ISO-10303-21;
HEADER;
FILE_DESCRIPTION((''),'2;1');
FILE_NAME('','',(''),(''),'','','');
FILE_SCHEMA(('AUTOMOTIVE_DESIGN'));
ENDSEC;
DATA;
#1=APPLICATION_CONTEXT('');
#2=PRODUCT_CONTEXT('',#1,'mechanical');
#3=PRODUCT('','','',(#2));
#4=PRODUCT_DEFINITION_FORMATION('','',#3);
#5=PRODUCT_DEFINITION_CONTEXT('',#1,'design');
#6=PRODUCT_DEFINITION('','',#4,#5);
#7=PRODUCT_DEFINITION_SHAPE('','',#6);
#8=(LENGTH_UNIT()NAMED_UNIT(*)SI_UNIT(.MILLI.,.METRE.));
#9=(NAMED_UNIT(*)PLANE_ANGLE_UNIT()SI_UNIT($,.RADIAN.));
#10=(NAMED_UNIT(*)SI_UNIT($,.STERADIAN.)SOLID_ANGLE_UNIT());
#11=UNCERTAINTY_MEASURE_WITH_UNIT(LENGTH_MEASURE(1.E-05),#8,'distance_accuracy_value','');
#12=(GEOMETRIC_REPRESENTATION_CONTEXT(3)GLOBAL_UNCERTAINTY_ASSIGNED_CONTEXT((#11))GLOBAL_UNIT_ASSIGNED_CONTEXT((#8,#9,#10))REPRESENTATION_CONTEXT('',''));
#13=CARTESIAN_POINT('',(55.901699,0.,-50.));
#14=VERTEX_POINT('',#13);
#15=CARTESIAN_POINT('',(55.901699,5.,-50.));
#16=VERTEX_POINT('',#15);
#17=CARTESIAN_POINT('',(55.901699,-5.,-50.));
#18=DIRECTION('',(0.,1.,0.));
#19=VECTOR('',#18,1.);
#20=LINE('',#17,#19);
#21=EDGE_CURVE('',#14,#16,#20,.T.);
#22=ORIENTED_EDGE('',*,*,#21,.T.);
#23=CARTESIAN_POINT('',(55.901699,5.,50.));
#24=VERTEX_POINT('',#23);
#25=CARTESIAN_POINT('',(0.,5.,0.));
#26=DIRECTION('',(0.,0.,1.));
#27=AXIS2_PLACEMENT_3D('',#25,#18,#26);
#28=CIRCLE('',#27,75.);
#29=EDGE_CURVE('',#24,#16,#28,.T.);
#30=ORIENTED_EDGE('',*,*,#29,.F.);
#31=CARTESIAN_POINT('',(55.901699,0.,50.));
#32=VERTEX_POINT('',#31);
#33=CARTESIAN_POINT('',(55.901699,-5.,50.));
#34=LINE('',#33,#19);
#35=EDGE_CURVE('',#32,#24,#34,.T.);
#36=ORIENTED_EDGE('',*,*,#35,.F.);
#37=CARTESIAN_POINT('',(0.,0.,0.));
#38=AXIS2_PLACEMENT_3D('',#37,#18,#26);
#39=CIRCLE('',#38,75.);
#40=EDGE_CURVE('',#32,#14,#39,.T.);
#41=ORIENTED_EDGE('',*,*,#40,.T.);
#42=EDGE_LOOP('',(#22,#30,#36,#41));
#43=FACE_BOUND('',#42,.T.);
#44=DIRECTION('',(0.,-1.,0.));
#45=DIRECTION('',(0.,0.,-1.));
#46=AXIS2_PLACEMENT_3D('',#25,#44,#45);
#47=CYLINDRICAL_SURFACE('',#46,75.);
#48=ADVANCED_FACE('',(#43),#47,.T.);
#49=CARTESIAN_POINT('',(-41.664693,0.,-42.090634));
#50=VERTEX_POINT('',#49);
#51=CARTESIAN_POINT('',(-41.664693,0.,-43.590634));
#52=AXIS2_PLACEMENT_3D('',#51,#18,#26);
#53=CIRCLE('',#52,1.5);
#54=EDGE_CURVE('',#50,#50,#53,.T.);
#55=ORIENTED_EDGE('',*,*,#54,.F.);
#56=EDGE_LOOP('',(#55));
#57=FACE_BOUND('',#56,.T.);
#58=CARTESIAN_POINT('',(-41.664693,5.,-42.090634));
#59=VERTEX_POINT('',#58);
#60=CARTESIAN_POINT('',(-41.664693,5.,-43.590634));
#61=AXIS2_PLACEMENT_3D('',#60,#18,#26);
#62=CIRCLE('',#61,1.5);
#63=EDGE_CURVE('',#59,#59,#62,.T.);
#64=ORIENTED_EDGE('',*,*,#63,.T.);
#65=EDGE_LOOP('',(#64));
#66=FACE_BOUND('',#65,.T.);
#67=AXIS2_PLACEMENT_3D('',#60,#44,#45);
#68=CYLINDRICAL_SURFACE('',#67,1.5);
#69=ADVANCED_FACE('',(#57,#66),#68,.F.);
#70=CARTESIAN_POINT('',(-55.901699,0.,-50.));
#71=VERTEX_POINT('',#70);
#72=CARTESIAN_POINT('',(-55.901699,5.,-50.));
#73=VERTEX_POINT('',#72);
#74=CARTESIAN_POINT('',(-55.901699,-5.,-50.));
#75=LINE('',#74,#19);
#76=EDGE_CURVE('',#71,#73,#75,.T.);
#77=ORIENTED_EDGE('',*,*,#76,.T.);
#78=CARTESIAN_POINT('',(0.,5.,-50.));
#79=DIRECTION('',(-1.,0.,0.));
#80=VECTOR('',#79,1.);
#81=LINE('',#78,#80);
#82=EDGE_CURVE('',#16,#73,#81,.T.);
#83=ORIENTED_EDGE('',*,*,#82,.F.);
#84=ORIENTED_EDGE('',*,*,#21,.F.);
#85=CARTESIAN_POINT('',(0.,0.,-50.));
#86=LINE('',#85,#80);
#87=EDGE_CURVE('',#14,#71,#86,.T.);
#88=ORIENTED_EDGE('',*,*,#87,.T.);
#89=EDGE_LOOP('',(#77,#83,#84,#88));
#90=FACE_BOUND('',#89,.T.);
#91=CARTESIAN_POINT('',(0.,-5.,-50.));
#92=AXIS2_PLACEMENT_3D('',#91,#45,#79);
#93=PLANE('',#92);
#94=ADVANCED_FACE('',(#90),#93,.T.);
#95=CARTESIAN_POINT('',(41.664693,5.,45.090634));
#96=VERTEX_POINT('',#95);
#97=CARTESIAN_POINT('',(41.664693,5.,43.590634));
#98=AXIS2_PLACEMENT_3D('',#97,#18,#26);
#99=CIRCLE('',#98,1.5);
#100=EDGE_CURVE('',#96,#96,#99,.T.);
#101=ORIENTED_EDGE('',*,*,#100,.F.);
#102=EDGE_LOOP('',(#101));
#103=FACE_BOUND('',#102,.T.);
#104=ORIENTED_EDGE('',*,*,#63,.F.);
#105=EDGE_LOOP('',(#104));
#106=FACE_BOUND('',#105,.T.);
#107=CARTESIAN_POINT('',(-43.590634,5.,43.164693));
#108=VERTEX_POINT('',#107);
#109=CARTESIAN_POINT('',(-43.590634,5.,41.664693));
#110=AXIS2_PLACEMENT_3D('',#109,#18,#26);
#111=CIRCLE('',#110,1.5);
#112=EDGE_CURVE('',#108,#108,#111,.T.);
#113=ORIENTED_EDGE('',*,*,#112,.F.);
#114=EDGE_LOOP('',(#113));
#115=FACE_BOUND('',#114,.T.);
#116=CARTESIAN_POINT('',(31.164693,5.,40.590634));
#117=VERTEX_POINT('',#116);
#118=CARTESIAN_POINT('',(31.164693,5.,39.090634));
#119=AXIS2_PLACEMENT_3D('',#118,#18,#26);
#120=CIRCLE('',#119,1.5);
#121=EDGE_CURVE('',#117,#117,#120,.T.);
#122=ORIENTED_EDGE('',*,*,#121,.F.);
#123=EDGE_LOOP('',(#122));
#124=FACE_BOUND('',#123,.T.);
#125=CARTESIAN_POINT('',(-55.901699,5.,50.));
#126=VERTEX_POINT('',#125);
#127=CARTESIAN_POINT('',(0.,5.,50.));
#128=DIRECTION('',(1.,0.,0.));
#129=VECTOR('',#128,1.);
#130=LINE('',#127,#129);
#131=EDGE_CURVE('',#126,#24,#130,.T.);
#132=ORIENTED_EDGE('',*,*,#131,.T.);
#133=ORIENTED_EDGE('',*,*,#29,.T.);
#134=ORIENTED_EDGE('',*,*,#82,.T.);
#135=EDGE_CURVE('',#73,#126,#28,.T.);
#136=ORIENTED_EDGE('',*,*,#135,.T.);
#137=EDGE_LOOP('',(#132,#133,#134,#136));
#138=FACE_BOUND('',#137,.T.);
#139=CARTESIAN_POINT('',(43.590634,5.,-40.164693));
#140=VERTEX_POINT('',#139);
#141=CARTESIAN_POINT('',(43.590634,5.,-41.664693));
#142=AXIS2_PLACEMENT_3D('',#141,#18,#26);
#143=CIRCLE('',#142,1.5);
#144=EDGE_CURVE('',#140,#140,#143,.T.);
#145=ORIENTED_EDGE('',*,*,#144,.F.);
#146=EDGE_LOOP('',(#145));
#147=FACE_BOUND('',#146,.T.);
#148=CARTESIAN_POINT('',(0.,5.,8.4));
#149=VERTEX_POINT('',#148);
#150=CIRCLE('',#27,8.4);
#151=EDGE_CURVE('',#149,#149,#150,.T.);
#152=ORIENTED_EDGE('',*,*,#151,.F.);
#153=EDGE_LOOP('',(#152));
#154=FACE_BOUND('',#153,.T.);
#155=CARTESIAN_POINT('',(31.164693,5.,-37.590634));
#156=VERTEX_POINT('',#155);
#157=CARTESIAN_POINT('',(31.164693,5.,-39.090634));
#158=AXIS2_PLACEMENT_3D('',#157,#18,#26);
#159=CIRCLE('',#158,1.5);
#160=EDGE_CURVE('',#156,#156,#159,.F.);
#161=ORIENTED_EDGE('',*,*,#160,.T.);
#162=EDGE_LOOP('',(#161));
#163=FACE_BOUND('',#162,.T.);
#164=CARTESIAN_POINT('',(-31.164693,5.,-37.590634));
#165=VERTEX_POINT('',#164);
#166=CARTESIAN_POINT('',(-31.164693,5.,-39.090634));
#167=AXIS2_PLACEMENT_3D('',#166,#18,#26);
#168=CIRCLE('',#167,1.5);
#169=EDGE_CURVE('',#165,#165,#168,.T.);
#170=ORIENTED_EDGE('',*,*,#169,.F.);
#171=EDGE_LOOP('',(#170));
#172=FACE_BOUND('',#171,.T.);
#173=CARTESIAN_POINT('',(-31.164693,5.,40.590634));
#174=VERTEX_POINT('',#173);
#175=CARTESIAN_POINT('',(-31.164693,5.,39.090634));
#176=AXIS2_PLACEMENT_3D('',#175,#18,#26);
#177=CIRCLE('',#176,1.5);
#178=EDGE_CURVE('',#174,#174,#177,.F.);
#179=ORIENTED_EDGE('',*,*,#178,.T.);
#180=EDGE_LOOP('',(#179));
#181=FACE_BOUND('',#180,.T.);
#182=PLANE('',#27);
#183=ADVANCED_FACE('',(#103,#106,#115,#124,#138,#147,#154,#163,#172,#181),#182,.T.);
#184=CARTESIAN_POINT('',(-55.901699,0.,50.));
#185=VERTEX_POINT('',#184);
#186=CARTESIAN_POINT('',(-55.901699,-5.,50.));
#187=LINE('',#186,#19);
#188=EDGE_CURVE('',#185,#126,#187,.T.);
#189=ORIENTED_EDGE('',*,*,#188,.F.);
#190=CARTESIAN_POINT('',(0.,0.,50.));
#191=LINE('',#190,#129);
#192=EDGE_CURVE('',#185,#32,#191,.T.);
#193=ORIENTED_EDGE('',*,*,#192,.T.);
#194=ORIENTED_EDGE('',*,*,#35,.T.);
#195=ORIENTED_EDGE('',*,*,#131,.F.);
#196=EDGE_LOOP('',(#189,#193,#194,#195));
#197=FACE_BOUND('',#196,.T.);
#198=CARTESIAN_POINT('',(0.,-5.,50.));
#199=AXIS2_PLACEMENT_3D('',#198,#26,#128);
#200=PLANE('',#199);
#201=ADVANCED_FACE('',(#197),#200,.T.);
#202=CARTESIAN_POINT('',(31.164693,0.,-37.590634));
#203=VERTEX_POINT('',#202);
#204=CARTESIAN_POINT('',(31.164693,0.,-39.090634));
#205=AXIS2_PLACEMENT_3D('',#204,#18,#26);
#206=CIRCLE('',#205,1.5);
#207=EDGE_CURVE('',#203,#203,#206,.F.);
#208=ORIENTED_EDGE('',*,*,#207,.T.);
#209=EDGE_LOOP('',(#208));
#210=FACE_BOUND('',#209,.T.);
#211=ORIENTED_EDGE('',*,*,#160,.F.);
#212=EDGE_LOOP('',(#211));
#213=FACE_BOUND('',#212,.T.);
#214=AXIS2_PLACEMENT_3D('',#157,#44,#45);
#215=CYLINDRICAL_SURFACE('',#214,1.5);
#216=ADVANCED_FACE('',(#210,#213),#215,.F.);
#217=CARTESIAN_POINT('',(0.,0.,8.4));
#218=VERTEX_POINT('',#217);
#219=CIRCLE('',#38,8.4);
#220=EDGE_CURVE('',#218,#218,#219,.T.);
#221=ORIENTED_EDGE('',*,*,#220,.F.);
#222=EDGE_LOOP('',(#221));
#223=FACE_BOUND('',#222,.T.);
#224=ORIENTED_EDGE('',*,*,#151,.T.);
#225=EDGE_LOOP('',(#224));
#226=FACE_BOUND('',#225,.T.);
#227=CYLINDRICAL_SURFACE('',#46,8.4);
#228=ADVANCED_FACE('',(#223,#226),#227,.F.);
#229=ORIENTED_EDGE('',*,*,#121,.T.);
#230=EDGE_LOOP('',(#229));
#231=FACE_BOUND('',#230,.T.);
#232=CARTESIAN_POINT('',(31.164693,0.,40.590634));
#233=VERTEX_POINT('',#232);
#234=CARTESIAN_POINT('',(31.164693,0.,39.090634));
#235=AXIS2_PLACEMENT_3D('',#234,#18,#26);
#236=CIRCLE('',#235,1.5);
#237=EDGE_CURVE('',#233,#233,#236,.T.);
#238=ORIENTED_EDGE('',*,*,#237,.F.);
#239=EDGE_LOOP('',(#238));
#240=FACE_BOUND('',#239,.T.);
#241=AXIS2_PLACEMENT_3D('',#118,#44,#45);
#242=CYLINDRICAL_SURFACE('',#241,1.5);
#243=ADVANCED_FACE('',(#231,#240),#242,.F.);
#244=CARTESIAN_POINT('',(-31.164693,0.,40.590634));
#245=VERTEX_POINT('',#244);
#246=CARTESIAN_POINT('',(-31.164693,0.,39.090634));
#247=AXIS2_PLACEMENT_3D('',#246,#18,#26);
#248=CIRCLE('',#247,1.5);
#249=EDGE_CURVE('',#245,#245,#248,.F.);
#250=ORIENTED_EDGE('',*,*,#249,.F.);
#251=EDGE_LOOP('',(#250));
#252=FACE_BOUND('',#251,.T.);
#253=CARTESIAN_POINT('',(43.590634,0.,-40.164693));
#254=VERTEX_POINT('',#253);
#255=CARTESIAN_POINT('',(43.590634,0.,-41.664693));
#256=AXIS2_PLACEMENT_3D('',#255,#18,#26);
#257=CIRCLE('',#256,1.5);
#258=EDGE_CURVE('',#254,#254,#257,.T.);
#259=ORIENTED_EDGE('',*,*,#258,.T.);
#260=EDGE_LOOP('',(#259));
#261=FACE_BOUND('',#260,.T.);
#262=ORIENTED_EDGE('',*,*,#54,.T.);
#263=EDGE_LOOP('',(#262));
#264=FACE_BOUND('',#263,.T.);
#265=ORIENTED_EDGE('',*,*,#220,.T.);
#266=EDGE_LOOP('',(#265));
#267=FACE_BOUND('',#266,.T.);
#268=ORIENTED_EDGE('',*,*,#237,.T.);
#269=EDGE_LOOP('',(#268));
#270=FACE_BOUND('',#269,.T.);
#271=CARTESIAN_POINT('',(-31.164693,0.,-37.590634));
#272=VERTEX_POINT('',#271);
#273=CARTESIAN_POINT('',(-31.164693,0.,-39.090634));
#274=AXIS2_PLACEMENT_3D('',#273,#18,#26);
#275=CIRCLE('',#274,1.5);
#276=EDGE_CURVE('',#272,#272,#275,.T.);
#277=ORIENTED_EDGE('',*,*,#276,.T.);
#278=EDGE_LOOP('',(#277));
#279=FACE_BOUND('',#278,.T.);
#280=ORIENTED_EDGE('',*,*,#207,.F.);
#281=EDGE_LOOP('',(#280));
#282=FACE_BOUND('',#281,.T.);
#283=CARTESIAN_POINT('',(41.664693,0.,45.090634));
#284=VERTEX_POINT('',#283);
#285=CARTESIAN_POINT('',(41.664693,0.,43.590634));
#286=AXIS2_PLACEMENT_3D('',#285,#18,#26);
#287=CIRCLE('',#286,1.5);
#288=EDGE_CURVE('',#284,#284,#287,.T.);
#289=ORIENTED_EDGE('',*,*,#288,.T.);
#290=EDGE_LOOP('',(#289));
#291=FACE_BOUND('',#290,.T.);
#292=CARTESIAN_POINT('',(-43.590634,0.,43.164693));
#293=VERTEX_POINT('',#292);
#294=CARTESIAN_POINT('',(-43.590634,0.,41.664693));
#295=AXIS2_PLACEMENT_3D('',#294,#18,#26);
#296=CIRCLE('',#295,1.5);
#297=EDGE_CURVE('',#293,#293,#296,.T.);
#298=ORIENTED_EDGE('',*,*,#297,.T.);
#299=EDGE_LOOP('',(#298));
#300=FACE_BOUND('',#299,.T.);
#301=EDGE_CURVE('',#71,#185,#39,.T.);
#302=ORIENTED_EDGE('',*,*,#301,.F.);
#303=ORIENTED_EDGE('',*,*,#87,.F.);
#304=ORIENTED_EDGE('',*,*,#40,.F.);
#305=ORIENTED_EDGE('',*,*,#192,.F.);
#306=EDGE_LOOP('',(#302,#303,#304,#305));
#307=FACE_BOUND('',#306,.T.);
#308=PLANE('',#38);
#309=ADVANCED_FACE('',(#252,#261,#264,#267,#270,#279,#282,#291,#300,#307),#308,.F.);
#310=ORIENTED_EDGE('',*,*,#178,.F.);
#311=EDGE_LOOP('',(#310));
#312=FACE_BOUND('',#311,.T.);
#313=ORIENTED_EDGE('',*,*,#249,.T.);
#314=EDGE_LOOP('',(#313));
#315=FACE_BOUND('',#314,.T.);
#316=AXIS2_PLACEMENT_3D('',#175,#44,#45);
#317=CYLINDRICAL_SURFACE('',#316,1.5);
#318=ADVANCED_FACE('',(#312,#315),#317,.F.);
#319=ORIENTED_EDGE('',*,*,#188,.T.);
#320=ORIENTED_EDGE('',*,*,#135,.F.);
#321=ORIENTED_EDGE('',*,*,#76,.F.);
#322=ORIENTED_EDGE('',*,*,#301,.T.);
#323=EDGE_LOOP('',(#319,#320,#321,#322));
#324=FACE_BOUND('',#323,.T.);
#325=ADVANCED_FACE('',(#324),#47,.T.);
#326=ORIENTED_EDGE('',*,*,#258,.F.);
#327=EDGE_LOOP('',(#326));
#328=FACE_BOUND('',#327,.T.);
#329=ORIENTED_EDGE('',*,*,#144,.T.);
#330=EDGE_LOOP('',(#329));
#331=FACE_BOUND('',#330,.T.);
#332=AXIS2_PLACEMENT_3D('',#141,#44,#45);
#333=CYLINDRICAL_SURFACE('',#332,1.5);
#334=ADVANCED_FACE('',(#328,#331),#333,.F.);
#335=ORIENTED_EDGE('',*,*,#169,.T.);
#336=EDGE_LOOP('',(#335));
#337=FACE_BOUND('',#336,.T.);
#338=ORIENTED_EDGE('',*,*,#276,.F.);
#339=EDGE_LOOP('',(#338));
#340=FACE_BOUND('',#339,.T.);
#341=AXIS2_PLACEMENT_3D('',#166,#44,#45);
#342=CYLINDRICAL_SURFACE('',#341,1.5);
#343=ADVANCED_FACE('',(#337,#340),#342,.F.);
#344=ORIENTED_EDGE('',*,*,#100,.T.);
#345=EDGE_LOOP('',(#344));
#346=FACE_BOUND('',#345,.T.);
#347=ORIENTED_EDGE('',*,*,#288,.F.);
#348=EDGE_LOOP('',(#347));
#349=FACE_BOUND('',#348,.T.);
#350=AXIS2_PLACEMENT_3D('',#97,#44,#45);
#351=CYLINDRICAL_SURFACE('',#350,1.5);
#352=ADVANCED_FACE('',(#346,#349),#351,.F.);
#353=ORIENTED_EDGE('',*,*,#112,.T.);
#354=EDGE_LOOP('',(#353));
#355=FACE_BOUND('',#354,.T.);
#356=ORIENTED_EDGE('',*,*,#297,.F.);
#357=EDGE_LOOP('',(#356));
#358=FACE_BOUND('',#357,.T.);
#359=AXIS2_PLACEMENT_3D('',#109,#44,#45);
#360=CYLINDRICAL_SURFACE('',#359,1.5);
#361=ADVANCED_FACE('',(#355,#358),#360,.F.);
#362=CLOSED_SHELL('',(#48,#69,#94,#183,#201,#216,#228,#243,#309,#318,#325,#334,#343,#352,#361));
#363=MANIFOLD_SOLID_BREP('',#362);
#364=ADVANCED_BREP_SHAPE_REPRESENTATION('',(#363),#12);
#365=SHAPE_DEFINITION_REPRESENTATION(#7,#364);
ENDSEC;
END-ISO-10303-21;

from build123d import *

# Parameters (mm, degrees)
SKETCH1_R           = 75
SKETCH1_R_2         = 1.5
SKETCH1_R_3         = 8.4
BOSS_EXTRUDE1_DEPTH = 5
CUT_EXTRUDE1_START  = -10
CUT_EXTRUDE1_DEPTH  = 10


with BuildPart() as part:
    # Sketch1 → Boss-Extrude1 (new body)
    with BuildSketch(Plane(origin=(0, 0, 0), x_dir=(1, 0, 0), z_dir=(0, 1, 0))):
        with Locations(Location((0, 0, 0), (0, 0, 270))):
            Circle(SKETCH1_R)
        with Locations(Location((-41.664692583, 43.590634223, 0), (0, 0, 270))):
            Circle(SKETCH1_R_2, mode=Mode.SUBTRACT)
        with Locations(Location((43.590634223, 41.664692583, 0), (0, 0, 270))):
            Circle(SKETCH1_R_2, mode=Mode.SUBTRACT)
        with Locations(Location((41.664692583, -43.590634223, 0), (0, 0, 270))):
            Circle(SKETCH1_R_2, mode=Mode.SUBTRACT)
        with Locations(Location((-43.590634223, -41.664692583, 0), (0, 0, 270))):
            Circle(SKETCH1_R_2, mode=Mode.SUBTRACT)
        with Locations(Location((-31.164692583, 39.090634223, 0), (0, 0, 270))):
            Circle(SKETCH1_R_2, mode=Mode.SUBTRACT)
        with Locations(Location((0, 0, 0), (0, 0, 270))):
            Circle(SKETCH1_R_3, mode=Mode.SUBTRACT)
        with Locations(Location((31.164692583, 39.090634223, 0), (0, 0, 270))):
            Circle(SKETCH1_R_2, mode=Mode.SUBTRACT)
        with Locations(Location((31.164692583, -39.090634223, 0), (0, 0, 270))):
            Circle(SKETCH1_R_2, mode=Mode.SUBTRACT)
        with Locations(Location((-31.164692583, -39.090634223, 0), (0, 0, 270))):
            Circle(SKETCH1_R_2, mode=Mode.SUBTRACT)
    extrude(amount=BOSS_EXTRUDE1_DEPTH)

    # Sketch3 → Cut-Extrude1 (cut)
    with BuildSketch(Plane(origin=(0, 5, 0), x_dir=(1, 0, 0), z_dir=(0, 1, 0)).offset(CUT_EXTRUDE1_START)):
        with BuildLine():
            Line((-55.901699437, 50), (0, 50))
            Line((0, 50), (55.901699437, 50))
            ThreePointArc((55.901699437, 50), (0, 75), (-55.901699437, 50))
        make_face()
        with BuildLine():
            Line((55.901699437, -50), (0, -50))
            Line((0, -50), (-55.901699437, -50))
            ThreePointArc((-55.901699437, -50), (0, -75), (55.901699437, -50))
        make_face()
    extrude(amount=CUT_EXTRUDE1_DEPTH, mode=Mode.SUBTRACT)


solid = part.part
